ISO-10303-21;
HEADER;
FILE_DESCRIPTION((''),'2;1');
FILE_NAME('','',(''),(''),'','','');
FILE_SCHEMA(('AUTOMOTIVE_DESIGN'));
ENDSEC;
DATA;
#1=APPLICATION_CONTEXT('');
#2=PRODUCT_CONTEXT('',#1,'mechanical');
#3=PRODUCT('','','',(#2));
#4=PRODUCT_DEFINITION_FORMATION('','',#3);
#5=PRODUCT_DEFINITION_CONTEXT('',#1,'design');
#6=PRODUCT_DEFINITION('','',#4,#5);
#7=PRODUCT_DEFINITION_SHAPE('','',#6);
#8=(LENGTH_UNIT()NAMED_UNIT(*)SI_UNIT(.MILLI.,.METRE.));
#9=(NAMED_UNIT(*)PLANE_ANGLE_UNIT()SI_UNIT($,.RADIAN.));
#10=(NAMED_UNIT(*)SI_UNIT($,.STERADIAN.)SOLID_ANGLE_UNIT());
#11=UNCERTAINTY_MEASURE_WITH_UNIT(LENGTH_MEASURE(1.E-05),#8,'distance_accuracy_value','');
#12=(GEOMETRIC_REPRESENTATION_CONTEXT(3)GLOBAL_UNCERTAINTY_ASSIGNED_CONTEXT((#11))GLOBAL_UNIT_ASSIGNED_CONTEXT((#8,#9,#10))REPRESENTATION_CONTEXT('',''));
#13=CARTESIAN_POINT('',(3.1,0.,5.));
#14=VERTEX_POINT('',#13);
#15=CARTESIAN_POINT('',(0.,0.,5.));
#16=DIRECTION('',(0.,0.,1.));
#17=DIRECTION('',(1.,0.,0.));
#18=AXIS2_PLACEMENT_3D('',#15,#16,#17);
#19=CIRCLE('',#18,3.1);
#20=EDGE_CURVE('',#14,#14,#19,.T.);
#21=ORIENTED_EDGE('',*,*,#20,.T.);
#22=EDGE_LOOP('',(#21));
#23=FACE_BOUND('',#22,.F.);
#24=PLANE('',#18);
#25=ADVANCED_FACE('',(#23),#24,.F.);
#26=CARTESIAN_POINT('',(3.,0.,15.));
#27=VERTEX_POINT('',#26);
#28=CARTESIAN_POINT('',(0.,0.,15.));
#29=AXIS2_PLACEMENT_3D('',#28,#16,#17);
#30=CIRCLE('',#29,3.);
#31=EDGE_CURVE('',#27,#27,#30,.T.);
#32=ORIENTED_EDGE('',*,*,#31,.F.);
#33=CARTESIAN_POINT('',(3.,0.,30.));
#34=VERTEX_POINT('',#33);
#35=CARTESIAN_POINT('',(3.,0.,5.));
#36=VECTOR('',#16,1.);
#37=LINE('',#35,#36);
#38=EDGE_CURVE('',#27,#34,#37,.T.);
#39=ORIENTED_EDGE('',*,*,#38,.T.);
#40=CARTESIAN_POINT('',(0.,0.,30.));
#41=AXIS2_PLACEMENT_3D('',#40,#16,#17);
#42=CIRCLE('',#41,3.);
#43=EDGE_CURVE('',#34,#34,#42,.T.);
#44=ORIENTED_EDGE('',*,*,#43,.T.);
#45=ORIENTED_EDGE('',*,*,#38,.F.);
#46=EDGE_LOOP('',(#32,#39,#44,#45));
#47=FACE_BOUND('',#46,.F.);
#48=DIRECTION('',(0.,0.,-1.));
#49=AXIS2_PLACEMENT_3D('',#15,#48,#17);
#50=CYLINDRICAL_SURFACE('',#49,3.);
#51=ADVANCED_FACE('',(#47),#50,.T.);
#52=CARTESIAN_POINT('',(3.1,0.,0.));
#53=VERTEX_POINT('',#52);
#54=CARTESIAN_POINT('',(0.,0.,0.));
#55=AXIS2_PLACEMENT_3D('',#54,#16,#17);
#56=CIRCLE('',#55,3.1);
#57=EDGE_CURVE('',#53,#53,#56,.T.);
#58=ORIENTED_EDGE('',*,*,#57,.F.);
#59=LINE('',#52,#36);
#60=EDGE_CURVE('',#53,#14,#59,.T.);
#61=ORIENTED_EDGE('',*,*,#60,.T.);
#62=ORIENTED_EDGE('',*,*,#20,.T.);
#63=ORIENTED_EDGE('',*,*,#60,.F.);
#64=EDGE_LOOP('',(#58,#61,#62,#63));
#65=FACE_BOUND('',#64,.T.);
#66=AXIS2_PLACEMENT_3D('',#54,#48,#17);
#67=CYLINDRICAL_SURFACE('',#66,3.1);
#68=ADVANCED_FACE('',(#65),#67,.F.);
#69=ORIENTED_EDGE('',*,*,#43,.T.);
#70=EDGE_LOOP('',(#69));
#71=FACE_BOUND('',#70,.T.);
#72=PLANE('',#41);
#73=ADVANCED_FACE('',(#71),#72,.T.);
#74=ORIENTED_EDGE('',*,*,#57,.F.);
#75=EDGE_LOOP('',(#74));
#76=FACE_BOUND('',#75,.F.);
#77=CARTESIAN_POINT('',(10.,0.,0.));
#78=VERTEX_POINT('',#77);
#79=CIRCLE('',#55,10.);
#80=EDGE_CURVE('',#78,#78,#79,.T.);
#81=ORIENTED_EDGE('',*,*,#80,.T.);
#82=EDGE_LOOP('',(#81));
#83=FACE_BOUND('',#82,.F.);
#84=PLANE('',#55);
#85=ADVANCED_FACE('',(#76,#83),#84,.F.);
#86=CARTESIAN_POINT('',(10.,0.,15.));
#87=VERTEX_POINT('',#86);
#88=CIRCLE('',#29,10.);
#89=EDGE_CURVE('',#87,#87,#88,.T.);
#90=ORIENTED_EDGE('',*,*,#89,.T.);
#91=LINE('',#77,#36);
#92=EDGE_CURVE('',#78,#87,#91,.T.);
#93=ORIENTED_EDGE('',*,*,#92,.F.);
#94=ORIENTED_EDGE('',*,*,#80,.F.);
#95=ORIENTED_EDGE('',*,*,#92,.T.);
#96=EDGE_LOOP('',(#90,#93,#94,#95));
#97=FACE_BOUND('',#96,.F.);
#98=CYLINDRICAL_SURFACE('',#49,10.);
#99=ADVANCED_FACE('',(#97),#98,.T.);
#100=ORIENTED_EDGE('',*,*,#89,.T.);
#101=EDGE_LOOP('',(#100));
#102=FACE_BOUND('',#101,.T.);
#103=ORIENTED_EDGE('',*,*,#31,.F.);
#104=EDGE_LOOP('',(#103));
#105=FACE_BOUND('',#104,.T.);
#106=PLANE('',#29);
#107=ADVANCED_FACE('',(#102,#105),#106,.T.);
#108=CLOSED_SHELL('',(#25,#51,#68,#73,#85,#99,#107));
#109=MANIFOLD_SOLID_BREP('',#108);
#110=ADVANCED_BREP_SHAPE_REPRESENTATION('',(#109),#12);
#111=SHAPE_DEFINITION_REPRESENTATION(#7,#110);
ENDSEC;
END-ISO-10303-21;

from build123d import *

# Parameters (mm, degrees)
F0_R     = 10
F0_R_2   = 3.1
F1_DEPTH = 5
F2_R     = 10
F2_R_2   = 3.1
F2_R_3   = 3
F3_DEPTH = 10
F4_DEPTH = 25


with BuildPart() as f1:
    # F0 (on Top) → F1 (new body)
    with BuildSketch(Plane.XY):
        Circle(F0_R)
        Circle(F0_R_2, mode=Mode.SUBTRACT)
    extrude(amount=F1_DEPTH)

    # F2 (on face) → F3 (join)
    with BuildSketch(Plane.XY.offset(5)):
        Circle(F2_R)
        Circle(F2_R_2, mode=Mode.SUBTRACT)
        Circle(F2_R_2)
        Circle(F2_R_3, mode=Mode.SUBTRACT)
    extrude(amount=F3_DEPTH)

    # F2 (on face) → F4 (join)
    with BuildSketch(Plane.XY.offset(5)):
        Circle(F2_R_3)
    extrude(amount=F4_DEPTH)


solid = f1.part
